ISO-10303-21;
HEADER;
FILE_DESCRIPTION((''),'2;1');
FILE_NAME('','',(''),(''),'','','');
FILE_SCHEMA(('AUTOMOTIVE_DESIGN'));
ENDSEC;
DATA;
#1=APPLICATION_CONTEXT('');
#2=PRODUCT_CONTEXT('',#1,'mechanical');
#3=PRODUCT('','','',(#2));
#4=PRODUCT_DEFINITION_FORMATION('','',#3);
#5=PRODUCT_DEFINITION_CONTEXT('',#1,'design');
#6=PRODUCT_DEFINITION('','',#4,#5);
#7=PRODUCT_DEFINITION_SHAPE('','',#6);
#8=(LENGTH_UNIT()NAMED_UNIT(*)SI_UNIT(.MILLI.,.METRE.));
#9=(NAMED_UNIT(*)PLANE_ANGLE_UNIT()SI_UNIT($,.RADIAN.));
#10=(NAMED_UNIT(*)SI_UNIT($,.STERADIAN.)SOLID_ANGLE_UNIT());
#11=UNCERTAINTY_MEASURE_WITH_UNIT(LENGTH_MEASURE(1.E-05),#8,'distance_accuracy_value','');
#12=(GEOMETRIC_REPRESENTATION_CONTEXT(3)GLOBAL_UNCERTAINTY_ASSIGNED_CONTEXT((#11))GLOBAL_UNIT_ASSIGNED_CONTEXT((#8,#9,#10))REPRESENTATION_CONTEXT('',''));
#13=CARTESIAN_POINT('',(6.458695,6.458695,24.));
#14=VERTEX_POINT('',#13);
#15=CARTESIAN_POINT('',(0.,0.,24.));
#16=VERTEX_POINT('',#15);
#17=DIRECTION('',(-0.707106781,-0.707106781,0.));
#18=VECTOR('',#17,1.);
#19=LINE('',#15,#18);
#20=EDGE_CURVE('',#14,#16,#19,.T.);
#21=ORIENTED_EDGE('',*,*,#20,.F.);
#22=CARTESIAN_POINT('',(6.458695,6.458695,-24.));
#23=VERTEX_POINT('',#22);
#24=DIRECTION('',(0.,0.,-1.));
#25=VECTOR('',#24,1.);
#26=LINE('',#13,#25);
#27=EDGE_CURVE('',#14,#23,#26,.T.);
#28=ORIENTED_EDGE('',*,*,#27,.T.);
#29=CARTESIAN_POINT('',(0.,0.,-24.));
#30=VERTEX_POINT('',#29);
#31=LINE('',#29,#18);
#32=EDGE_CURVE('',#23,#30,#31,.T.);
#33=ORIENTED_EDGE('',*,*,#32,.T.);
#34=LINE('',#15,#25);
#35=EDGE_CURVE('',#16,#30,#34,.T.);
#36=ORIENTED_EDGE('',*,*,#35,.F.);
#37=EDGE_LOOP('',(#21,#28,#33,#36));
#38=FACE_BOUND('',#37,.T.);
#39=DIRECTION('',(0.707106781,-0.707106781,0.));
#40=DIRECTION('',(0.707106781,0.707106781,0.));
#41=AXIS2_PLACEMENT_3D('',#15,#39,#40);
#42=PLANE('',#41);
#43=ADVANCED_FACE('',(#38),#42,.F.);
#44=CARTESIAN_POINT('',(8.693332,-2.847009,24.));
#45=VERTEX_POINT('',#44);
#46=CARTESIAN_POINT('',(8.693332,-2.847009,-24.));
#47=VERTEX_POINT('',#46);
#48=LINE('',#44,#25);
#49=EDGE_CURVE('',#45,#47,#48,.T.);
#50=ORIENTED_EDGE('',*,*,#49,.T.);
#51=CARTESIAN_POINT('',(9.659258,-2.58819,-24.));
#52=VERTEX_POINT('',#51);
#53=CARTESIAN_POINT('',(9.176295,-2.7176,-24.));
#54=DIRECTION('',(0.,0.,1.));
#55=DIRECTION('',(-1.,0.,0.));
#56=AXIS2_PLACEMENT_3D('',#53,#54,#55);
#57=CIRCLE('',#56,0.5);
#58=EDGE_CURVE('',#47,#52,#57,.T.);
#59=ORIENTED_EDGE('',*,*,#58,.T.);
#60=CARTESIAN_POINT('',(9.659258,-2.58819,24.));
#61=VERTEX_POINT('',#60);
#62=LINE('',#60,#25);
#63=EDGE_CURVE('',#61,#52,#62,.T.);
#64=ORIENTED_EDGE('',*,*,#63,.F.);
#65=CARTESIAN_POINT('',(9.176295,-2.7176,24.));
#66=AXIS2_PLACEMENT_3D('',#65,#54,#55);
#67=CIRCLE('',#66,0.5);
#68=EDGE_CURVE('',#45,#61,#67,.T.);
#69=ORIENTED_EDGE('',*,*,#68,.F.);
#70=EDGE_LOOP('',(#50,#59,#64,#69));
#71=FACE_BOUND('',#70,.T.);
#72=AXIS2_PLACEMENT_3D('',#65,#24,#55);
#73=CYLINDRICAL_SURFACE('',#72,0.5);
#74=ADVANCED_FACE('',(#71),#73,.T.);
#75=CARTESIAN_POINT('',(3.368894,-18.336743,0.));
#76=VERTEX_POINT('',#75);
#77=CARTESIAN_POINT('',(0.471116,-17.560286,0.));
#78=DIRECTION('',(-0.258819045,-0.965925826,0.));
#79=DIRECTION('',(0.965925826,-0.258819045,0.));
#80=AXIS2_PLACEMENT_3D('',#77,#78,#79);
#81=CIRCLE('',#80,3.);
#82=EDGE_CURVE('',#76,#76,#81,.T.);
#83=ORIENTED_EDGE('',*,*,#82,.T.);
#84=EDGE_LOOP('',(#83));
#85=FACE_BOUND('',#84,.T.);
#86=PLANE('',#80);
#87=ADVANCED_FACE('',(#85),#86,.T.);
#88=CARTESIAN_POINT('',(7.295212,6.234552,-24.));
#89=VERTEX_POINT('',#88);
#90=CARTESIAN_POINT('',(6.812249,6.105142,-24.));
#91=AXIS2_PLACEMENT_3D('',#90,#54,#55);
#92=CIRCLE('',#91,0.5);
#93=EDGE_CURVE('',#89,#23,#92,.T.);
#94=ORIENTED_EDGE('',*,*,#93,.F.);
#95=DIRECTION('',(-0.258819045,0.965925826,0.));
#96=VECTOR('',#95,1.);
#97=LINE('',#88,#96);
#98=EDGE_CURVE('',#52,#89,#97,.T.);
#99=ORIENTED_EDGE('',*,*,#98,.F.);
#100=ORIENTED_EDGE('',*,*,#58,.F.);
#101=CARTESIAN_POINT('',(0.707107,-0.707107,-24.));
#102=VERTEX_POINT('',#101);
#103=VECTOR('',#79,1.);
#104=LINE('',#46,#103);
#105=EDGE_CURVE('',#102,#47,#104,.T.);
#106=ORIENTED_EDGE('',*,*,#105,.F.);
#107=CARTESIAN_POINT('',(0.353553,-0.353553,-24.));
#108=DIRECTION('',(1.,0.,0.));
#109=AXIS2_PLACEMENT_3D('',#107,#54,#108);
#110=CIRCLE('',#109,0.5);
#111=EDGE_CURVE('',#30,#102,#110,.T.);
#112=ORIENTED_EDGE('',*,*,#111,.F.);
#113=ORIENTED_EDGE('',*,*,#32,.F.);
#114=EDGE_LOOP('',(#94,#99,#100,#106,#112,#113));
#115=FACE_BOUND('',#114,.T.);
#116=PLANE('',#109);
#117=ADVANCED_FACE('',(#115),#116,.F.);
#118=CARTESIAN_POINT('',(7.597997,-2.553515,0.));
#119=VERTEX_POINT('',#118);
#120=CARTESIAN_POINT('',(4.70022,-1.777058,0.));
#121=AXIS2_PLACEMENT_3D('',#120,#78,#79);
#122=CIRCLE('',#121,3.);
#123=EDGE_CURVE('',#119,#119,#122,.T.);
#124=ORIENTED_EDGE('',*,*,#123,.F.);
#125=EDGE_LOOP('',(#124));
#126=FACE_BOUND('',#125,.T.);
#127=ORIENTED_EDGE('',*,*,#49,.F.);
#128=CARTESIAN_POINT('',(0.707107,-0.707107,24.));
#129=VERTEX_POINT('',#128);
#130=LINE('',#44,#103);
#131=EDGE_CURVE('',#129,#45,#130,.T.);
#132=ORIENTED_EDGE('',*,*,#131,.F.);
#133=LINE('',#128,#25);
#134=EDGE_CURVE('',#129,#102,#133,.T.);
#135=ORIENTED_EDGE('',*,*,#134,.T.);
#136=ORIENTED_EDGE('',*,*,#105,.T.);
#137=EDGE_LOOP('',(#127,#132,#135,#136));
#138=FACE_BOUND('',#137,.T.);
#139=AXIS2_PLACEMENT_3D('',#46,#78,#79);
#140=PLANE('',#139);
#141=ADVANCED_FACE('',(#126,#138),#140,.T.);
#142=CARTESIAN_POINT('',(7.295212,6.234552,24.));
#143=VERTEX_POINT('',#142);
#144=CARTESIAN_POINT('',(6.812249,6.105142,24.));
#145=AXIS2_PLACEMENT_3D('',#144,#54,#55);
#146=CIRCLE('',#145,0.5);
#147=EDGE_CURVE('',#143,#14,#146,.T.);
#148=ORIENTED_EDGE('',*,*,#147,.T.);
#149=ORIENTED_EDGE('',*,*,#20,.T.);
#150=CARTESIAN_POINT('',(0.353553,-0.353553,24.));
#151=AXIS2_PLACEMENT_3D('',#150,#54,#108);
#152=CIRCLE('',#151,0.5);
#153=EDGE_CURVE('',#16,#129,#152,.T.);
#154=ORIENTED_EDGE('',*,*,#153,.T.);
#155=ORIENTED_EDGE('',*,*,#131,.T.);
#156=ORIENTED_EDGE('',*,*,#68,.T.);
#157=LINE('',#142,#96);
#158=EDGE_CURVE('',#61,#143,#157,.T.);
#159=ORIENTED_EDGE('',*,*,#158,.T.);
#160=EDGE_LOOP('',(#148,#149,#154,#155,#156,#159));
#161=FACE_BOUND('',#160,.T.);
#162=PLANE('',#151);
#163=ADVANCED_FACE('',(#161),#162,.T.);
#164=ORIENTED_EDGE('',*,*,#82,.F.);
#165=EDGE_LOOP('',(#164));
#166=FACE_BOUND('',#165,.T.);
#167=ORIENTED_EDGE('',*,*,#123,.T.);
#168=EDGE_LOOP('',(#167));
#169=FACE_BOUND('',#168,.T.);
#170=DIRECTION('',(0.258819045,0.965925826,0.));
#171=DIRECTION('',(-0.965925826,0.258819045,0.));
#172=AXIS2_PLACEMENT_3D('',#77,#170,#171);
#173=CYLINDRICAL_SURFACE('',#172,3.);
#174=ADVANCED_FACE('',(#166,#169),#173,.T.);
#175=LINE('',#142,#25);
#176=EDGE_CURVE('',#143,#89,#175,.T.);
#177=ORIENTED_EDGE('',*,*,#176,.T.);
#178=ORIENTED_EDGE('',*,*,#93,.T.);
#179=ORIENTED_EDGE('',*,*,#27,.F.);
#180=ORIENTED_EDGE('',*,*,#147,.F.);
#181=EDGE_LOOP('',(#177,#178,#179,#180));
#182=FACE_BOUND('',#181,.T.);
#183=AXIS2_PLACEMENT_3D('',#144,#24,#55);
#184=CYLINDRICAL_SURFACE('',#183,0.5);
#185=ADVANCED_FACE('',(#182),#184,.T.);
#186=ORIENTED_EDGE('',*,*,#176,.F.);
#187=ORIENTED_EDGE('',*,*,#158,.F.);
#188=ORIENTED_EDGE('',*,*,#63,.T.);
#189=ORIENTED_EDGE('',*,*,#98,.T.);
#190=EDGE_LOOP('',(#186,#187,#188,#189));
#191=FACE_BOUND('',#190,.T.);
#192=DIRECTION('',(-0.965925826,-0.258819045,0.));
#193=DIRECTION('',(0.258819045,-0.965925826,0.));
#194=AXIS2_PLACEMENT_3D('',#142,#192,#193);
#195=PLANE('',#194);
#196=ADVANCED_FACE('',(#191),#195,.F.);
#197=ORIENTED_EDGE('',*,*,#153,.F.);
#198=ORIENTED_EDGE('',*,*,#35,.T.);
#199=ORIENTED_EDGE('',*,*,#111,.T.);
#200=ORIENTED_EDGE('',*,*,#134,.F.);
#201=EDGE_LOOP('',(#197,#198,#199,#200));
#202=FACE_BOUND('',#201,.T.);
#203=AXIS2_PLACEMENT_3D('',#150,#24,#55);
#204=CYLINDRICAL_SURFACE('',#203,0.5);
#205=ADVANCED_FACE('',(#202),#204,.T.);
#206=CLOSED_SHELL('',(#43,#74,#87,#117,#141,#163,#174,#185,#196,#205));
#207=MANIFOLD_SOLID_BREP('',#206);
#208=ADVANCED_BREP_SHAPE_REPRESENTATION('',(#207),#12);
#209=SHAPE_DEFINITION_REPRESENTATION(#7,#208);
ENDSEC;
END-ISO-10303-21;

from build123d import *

# Parameters (mm, degrees)
BOSS_EXTRUDE1_DEPTH = 24
BOSS_EXTRUDE2_DEPTH = 48
SKETCH3_R           = 3
BOSS_EXTRUDE3_DEPTH = 16.34


with BuildPart() as part:
    # Sketch1 → Boss-Extrude1 (new, symmetric)
    with BuildSketch(Plane.XY):
        with BuildLine():
            Line((0, 0), (6.458695376, 6.458695376))
            ThreePointArc((6.458695376, 6.458695376), (6.941658289, 6.588104899), (7.29521168, 6.234551508))
            Line((7.29521168, 6.234551508), (9.659258263, -2.588190451))
            ThreePointArc((9.659258263, -2.588190451), (9.305704872, -3.200562887), (8.693332437, -2.847009496))
            Line((8.693332437, -2.847009496), (6.77757359, 4.302699856))
            ThreePointArc((6.77757359, 4.302699856), (6.424020199, 4.656253246), (5.941057286, 4.526843724))
            Line((5.941057286, 4.526843724), (0.707106781, -0.707106781))
            ThreePointArc((0.707106781, -0.707106781), (0, -0.707106781), (0, 0))
        make_face()
    extrude(amount=BOSS_EXTRUDE1_DEPTH, both=True)

    # Sketch2 → Boss-Extrude2 (add)
    with BuildSketch(Plane.XY.offset(24)):
        with BuildLine():
            Line((0.707106781, -0.707106781), (5.941057286, 4.526843724))
            ThreePointArc((5.941057286, 4.526843724), (6.424020199, 4.656253246), (6.77757359, 4.302699856))
            Line((6.77757359, 4.302699856), (8.693332437, -2.847009496))
            Line((8.693332437, -2.847009496), (0.707106781, -0.707106781))
        make_face()
    extrude(amount=-BOSS_EXTRUDE2_DEPTH)

    # Sketch3 → Boss-Extrude3 (add)
    with BuildSketch(Plane(origin=(-0.129409523, -0.482962913, 0), x_dir=(0.9659258262890683, -0.25881904510252096, 0), z_dir=(-0.25881904510252096, -0.9659258262890683, 0))):
        with Locations((5, 0)):
            Circle(SKETCH3_R)
    extrude(amount=BOSS_EXTRUDE3_DEPTH)


solid = part.part
